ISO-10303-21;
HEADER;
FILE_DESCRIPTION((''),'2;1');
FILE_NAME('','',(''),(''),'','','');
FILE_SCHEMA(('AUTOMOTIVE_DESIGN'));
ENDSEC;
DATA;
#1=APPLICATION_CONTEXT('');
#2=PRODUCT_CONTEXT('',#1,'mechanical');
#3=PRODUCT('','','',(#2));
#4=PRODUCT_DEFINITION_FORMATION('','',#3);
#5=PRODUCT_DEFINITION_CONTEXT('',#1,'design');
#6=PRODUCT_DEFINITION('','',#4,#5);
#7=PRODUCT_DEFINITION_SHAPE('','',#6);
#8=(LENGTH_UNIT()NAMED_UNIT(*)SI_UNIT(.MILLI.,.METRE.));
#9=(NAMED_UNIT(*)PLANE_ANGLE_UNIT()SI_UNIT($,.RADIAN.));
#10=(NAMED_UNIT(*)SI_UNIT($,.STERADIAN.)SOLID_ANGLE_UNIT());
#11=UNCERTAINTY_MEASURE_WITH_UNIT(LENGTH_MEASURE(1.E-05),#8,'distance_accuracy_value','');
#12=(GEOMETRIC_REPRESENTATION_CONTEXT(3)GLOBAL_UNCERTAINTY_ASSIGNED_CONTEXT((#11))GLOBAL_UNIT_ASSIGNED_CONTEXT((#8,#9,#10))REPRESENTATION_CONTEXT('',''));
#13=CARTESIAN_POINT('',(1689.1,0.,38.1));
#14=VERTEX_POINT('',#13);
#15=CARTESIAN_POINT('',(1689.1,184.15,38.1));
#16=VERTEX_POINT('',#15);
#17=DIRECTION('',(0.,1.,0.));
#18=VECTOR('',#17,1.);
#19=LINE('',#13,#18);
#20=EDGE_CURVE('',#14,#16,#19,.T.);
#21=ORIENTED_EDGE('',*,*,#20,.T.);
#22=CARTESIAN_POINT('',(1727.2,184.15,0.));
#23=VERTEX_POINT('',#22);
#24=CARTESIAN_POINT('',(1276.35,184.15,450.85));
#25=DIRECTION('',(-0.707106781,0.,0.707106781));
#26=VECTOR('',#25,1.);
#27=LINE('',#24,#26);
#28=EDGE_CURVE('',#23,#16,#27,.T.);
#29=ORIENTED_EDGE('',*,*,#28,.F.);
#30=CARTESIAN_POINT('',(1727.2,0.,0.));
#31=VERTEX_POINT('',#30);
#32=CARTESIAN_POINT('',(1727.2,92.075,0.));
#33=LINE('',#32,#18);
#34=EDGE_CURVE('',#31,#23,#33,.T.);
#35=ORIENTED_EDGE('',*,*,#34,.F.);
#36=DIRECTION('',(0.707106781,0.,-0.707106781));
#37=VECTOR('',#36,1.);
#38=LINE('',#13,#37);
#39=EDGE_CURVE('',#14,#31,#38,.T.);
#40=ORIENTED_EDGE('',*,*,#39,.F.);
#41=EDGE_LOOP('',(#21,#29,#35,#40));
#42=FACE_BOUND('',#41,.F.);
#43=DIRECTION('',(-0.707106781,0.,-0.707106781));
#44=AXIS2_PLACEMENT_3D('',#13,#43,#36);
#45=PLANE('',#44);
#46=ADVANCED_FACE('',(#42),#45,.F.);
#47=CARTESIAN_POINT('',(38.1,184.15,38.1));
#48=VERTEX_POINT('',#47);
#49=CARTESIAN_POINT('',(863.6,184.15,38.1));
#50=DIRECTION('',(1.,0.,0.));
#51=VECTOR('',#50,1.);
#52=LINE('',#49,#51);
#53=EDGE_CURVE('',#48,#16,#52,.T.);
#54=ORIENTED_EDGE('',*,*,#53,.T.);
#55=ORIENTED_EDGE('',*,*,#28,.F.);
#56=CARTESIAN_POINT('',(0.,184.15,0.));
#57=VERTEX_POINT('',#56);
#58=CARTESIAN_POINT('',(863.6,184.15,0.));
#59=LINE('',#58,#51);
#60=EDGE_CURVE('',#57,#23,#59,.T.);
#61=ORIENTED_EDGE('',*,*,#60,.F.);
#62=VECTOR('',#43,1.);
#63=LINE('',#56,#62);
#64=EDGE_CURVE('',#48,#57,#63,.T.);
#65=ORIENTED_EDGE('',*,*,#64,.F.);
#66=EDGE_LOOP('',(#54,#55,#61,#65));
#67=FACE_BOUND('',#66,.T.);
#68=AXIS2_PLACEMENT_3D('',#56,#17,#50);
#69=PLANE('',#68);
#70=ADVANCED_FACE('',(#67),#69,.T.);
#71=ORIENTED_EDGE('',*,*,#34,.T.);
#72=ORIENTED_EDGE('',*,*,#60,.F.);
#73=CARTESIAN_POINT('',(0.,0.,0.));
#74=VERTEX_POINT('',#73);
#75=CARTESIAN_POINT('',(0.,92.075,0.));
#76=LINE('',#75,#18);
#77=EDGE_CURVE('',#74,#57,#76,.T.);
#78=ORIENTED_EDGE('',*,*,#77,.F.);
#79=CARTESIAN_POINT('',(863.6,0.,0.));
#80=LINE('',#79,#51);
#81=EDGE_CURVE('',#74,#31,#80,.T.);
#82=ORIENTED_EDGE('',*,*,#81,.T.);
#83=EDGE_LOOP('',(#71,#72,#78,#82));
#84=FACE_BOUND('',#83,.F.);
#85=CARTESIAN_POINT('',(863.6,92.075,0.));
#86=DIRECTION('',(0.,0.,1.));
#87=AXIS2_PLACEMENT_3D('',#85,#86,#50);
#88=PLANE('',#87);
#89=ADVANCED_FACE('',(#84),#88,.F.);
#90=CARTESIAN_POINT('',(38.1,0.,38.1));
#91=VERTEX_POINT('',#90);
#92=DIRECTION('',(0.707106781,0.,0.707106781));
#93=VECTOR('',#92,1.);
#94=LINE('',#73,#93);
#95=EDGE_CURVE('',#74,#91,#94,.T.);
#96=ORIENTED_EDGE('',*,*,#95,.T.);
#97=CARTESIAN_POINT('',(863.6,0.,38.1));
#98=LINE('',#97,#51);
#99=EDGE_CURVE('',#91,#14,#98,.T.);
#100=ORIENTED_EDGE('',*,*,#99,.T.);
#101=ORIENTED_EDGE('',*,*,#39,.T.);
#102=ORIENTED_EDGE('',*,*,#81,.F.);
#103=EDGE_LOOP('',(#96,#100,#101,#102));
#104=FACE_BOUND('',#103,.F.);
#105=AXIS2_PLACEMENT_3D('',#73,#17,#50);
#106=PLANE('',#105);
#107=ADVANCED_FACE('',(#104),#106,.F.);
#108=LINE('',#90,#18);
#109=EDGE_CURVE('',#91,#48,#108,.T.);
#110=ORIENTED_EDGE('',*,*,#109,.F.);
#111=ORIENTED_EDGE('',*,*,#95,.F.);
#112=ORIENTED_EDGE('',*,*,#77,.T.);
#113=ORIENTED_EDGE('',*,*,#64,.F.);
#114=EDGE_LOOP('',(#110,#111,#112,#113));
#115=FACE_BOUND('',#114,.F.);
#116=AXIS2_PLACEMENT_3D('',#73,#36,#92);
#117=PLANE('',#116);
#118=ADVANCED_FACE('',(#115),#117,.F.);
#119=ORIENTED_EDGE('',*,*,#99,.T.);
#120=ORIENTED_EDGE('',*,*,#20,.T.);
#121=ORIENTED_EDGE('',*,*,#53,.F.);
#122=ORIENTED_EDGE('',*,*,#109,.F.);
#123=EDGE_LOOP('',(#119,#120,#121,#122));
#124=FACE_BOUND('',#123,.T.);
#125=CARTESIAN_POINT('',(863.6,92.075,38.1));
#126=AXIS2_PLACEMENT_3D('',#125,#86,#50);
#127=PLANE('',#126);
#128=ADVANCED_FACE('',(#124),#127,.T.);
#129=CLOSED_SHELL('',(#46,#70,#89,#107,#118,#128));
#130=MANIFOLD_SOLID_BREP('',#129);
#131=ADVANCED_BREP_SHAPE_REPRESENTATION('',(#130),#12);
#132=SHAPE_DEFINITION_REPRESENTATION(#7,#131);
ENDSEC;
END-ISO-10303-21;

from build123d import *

# Parameters (mm, degrees)
F0_W     = 1727.2
F0_H     = 184.15
F1_DEPTH = 38.1
F3_DEPTH = 254


with BuildPart() as f1:
    # F0 (on Top) → F1 (new body)
    with BuildSketch(Plane.XY):
        with Locations((863.6, 92.075)):
            Rectangle(F0_W, F0_H)
    extrude(amount=F1_DEPTH)

    # F2 (on face) → F3 (cut)
    with BuildSketch(Plane.XZ):
        Polygon((38.1, 38.1), (0, 38.1), (0, 0), align=None)
        Polygon((1689.1, 38.1), (1727.2, 0), (1727.2, 38.1), align=None)
    extrude(amount=-F3_DEPTH, mode=Mode.SUBTRACT)


solid = f1.part
